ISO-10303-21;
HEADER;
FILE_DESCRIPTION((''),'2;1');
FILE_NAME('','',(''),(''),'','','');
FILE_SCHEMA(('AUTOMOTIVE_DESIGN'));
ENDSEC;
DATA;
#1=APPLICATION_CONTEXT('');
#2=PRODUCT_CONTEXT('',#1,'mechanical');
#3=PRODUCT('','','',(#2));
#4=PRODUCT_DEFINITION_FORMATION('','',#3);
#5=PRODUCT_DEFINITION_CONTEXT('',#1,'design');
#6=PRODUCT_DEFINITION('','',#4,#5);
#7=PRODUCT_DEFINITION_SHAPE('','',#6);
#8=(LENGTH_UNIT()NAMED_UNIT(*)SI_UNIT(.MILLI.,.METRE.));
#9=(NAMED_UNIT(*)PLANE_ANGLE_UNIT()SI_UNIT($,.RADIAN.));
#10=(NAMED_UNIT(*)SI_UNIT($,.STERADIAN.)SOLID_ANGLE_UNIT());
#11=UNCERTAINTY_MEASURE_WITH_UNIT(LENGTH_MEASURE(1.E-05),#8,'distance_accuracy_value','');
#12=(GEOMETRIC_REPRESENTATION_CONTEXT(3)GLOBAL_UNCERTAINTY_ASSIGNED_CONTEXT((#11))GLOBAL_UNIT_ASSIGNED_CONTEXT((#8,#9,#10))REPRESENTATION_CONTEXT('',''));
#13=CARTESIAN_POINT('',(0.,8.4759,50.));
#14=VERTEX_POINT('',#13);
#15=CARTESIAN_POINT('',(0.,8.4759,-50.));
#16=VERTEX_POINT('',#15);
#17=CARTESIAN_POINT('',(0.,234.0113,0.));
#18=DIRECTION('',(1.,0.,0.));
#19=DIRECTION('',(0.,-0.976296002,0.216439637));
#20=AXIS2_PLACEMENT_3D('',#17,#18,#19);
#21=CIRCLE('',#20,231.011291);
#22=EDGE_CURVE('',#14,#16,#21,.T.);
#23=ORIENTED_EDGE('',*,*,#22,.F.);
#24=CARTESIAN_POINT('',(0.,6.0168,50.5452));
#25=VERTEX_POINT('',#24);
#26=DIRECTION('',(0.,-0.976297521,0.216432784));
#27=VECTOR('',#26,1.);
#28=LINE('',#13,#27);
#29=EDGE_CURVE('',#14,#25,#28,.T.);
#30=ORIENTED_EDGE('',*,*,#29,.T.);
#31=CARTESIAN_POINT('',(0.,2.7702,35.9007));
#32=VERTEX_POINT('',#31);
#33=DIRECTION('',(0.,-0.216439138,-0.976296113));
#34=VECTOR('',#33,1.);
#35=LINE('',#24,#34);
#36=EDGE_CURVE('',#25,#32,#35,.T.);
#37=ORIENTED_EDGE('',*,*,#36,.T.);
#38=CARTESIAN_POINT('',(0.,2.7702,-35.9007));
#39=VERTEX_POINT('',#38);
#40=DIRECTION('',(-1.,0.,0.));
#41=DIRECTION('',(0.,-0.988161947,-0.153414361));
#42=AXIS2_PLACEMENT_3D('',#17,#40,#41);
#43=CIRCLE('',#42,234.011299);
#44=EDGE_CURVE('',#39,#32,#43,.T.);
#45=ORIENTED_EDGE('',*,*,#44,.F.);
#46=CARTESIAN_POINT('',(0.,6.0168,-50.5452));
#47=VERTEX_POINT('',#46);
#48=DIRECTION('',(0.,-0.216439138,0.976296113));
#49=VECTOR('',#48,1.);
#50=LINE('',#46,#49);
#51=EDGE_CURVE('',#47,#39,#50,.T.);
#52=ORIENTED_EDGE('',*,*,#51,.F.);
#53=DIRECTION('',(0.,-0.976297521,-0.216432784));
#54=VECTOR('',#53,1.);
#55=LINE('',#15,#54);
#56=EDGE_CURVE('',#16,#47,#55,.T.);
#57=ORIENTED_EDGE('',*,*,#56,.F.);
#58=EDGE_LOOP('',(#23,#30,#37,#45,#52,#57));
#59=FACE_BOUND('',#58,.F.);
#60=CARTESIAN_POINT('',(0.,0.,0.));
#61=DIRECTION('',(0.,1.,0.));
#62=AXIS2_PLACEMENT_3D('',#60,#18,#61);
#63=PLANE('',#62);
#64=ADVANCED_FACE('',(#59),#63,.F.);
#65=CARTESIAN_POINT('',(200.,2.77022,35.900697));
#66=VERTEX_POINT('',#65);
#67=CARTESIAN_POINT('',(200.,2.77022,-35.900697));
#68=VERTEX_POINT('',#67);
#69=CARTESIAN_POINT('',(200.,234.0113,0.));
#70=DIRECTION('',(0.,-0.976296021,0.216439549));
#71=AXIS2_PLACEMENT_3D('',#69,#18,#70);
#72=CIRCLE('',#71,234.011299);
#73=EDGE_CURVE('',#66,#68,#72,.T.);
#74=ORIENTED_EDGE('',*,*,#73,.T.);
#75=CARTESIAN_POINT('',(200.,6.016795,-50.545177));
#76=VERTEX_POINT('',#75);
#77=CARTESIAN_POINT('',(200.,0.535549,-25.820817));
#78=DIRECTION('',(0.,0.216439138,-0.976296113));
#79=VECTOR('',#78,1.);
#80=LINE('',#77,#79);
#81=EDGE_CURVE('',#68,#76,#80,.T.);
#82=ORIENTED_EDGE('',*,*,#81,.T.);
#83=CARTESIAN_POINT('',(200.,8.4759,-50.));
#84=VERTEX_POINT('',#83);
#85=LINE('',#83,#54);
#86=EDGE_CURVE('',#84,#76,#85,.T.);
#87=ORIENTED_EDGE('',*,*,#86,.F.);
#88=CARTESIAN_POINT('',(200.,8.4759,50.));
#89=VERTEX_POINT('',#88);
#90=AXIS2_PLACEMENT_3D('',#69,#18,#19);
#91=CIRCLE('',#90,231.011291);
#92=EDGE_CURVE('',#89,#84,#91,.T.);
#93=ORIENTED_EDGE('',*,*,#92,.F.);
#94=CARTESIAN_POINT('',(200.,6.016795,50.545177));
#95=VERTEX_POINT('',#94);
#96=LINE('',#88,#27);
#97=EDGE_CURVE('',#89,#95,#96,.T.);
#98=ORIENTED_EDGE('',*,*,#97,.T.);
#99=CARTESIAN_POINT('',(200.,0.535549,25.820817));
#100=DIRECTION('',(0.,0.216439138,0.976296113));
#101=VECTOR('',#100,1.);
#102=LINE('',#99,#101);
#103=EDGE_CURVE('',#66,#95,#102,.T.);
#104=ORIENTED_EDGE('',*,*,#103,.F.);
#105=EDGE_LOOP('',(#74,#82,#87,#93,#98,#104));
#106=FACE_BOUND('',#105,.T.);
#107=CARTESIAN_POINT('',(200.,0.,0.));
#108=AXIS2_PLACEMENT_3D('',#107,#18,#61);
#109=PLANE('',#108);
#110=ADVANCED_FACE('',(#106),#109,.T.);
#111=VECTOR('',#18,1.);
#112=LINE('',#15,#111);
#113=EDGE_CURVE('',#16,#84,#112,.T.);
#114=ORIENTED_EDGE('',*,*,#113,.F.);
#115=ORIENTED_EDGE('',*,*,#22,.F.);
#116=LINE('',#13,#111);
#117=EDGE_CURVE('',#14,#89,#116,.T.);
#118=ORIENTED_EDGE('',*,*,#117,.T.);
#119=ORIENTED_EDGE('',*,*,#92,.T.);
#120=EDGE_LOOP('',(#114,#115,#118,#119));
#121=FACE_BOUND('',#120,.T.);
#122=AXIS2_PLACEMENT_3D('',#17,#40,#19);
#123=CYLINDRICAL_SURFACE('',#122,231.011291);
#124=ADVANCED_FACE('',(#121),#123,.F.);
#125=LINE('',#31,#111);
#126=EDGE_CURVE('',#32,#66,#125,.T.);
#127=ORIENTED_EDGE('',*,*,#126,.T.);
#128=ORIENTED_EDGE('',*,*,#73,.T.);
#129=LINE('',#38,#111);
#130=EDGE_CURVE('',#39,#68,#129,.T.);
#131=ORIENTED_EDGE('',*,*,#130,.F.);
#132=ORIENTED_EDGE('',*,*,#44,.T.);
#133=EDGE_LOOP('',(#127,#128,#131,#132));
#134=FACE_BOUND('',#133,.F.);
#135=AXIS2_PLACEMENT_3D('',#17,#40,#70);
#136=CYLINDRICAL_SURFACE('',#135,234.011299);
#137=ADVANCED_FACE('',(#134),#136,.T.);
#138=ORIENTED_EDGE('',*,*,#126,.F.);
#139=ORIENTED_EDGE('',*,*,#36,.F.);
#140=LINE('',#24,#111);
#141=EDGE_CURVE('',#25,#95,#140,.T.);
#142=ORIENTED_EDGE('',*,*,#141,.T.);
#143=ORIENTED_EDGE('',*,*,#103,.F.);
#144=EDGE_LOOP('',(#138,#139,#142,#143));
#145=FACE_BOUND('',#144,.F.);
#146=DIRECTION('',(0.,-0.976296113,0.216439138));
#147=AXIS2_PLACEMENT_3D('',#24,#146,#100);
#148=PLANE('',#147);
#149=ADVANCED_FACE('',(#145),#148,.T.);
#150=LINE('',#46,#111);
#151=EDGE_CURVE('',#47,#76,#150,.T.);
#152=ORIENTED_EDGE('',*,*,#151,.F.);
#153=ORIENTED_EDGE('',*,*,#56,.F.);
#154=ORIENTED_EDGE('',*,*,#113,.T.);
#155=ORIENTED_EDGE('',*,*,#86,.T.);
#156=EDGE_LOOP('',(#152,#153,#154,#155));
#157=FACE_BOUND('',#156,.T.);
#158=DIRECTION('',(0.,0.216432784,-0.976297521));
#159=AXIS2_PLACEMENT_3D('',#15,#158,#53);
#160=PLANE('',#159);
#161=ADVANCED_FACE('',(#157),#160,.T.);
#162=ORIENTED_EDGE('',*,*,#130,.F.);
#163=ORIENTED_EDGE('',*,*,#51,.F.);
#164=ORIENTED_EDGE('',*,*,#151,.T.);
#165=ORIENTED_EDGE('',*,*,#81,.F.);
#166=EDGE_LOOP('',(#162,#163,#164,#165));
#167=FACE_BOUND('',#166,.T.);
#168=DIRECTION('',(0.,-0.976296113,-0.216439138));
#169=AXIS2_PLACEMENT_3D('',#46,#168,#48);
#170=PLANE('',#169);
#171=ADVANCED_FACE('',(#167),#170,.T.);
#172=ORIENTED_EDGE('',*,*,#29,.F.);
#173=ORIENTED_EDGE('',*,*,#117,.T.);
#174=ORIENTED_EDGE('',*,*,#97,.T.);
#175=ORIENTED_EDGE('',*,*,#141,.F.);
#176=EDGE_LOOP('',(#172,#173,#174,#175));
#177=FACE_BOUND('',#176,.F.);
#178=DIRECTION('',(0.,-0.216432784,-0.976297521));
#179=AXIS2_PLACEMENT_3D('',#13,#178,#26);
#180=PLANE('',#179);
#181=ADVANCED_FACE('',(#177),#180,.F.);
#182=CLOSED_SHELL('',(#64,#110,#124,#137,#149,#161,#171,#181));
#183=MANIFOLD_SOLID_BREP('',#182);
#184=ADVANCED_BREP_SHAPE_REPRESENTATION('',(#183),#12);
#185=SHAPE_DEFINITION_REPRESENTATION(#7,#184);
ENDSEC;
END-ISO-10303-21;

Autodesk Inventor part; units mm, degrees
ref_plane "YZ Plane" through (0, 0, 0) normal (1, 0, 0) x (0, 1, 0)
ref_plane "XZ Plane" through (0, 0, 0) normal (0, 1, 0) x (-1, 0, 0)
ref_plane "XY Plane" through (0, 0, 0) normal (0, 0, 1) x (1, 0, 0)
sketch "スケッチ1" plane through (0, 0, 0) normal (1, 0, 0) x (0, 1, 0)
  arc A0 (8.4759, 50) -> (8.4759, -50) centre (234.0113, 0) ccw
  arc A1 (5.547, 50.6493) -> (5.547, -50.6493) centre (234.0113, 0) ccw
  line L0 (8.4759, 50) -> (5.547, 50.6493)
  line L1 (8.4759, -50) -> (5.547, -50.6493)
  line L2 (0, -70.909) -> (0, 70.909) projected
  point P0 (0, 0)
  point P1 (0, 0)
  dimension "d0" = 3
  dimension "d1" = 100
  dimension "d2" = 25
extrude "押し出し1" add sketch "スケッチ1" along normal blind 200
sketch "スケッチ2" plane through (0, 0, 0) normal (-1, 0, 0) x (0, 0, 1)
  line L0 (-50.6493, 5.547) -> (-50, 8.4759) projected
  line L1 (-50.5452, 6.0168) -> (-35.9007, 2.7702)
  arc A0 (-50.6493, 5.547) -> (50.6493, 5.547) centre (0, 234.0113) ccw projected
  line L2 (-50, 8.4759) -> (-50.6493, 5.547) projected
  point P0 (0, 0)
  dimension "d5" = 15
extrude "押し出し2" cut sketch "スケッチ2" against normal through all
mirror "ミラー1" about plane through (0, 0, 0) normal (0, 0, 1) of "押し出し2"
properties part number "element_1" material "CFRP"
